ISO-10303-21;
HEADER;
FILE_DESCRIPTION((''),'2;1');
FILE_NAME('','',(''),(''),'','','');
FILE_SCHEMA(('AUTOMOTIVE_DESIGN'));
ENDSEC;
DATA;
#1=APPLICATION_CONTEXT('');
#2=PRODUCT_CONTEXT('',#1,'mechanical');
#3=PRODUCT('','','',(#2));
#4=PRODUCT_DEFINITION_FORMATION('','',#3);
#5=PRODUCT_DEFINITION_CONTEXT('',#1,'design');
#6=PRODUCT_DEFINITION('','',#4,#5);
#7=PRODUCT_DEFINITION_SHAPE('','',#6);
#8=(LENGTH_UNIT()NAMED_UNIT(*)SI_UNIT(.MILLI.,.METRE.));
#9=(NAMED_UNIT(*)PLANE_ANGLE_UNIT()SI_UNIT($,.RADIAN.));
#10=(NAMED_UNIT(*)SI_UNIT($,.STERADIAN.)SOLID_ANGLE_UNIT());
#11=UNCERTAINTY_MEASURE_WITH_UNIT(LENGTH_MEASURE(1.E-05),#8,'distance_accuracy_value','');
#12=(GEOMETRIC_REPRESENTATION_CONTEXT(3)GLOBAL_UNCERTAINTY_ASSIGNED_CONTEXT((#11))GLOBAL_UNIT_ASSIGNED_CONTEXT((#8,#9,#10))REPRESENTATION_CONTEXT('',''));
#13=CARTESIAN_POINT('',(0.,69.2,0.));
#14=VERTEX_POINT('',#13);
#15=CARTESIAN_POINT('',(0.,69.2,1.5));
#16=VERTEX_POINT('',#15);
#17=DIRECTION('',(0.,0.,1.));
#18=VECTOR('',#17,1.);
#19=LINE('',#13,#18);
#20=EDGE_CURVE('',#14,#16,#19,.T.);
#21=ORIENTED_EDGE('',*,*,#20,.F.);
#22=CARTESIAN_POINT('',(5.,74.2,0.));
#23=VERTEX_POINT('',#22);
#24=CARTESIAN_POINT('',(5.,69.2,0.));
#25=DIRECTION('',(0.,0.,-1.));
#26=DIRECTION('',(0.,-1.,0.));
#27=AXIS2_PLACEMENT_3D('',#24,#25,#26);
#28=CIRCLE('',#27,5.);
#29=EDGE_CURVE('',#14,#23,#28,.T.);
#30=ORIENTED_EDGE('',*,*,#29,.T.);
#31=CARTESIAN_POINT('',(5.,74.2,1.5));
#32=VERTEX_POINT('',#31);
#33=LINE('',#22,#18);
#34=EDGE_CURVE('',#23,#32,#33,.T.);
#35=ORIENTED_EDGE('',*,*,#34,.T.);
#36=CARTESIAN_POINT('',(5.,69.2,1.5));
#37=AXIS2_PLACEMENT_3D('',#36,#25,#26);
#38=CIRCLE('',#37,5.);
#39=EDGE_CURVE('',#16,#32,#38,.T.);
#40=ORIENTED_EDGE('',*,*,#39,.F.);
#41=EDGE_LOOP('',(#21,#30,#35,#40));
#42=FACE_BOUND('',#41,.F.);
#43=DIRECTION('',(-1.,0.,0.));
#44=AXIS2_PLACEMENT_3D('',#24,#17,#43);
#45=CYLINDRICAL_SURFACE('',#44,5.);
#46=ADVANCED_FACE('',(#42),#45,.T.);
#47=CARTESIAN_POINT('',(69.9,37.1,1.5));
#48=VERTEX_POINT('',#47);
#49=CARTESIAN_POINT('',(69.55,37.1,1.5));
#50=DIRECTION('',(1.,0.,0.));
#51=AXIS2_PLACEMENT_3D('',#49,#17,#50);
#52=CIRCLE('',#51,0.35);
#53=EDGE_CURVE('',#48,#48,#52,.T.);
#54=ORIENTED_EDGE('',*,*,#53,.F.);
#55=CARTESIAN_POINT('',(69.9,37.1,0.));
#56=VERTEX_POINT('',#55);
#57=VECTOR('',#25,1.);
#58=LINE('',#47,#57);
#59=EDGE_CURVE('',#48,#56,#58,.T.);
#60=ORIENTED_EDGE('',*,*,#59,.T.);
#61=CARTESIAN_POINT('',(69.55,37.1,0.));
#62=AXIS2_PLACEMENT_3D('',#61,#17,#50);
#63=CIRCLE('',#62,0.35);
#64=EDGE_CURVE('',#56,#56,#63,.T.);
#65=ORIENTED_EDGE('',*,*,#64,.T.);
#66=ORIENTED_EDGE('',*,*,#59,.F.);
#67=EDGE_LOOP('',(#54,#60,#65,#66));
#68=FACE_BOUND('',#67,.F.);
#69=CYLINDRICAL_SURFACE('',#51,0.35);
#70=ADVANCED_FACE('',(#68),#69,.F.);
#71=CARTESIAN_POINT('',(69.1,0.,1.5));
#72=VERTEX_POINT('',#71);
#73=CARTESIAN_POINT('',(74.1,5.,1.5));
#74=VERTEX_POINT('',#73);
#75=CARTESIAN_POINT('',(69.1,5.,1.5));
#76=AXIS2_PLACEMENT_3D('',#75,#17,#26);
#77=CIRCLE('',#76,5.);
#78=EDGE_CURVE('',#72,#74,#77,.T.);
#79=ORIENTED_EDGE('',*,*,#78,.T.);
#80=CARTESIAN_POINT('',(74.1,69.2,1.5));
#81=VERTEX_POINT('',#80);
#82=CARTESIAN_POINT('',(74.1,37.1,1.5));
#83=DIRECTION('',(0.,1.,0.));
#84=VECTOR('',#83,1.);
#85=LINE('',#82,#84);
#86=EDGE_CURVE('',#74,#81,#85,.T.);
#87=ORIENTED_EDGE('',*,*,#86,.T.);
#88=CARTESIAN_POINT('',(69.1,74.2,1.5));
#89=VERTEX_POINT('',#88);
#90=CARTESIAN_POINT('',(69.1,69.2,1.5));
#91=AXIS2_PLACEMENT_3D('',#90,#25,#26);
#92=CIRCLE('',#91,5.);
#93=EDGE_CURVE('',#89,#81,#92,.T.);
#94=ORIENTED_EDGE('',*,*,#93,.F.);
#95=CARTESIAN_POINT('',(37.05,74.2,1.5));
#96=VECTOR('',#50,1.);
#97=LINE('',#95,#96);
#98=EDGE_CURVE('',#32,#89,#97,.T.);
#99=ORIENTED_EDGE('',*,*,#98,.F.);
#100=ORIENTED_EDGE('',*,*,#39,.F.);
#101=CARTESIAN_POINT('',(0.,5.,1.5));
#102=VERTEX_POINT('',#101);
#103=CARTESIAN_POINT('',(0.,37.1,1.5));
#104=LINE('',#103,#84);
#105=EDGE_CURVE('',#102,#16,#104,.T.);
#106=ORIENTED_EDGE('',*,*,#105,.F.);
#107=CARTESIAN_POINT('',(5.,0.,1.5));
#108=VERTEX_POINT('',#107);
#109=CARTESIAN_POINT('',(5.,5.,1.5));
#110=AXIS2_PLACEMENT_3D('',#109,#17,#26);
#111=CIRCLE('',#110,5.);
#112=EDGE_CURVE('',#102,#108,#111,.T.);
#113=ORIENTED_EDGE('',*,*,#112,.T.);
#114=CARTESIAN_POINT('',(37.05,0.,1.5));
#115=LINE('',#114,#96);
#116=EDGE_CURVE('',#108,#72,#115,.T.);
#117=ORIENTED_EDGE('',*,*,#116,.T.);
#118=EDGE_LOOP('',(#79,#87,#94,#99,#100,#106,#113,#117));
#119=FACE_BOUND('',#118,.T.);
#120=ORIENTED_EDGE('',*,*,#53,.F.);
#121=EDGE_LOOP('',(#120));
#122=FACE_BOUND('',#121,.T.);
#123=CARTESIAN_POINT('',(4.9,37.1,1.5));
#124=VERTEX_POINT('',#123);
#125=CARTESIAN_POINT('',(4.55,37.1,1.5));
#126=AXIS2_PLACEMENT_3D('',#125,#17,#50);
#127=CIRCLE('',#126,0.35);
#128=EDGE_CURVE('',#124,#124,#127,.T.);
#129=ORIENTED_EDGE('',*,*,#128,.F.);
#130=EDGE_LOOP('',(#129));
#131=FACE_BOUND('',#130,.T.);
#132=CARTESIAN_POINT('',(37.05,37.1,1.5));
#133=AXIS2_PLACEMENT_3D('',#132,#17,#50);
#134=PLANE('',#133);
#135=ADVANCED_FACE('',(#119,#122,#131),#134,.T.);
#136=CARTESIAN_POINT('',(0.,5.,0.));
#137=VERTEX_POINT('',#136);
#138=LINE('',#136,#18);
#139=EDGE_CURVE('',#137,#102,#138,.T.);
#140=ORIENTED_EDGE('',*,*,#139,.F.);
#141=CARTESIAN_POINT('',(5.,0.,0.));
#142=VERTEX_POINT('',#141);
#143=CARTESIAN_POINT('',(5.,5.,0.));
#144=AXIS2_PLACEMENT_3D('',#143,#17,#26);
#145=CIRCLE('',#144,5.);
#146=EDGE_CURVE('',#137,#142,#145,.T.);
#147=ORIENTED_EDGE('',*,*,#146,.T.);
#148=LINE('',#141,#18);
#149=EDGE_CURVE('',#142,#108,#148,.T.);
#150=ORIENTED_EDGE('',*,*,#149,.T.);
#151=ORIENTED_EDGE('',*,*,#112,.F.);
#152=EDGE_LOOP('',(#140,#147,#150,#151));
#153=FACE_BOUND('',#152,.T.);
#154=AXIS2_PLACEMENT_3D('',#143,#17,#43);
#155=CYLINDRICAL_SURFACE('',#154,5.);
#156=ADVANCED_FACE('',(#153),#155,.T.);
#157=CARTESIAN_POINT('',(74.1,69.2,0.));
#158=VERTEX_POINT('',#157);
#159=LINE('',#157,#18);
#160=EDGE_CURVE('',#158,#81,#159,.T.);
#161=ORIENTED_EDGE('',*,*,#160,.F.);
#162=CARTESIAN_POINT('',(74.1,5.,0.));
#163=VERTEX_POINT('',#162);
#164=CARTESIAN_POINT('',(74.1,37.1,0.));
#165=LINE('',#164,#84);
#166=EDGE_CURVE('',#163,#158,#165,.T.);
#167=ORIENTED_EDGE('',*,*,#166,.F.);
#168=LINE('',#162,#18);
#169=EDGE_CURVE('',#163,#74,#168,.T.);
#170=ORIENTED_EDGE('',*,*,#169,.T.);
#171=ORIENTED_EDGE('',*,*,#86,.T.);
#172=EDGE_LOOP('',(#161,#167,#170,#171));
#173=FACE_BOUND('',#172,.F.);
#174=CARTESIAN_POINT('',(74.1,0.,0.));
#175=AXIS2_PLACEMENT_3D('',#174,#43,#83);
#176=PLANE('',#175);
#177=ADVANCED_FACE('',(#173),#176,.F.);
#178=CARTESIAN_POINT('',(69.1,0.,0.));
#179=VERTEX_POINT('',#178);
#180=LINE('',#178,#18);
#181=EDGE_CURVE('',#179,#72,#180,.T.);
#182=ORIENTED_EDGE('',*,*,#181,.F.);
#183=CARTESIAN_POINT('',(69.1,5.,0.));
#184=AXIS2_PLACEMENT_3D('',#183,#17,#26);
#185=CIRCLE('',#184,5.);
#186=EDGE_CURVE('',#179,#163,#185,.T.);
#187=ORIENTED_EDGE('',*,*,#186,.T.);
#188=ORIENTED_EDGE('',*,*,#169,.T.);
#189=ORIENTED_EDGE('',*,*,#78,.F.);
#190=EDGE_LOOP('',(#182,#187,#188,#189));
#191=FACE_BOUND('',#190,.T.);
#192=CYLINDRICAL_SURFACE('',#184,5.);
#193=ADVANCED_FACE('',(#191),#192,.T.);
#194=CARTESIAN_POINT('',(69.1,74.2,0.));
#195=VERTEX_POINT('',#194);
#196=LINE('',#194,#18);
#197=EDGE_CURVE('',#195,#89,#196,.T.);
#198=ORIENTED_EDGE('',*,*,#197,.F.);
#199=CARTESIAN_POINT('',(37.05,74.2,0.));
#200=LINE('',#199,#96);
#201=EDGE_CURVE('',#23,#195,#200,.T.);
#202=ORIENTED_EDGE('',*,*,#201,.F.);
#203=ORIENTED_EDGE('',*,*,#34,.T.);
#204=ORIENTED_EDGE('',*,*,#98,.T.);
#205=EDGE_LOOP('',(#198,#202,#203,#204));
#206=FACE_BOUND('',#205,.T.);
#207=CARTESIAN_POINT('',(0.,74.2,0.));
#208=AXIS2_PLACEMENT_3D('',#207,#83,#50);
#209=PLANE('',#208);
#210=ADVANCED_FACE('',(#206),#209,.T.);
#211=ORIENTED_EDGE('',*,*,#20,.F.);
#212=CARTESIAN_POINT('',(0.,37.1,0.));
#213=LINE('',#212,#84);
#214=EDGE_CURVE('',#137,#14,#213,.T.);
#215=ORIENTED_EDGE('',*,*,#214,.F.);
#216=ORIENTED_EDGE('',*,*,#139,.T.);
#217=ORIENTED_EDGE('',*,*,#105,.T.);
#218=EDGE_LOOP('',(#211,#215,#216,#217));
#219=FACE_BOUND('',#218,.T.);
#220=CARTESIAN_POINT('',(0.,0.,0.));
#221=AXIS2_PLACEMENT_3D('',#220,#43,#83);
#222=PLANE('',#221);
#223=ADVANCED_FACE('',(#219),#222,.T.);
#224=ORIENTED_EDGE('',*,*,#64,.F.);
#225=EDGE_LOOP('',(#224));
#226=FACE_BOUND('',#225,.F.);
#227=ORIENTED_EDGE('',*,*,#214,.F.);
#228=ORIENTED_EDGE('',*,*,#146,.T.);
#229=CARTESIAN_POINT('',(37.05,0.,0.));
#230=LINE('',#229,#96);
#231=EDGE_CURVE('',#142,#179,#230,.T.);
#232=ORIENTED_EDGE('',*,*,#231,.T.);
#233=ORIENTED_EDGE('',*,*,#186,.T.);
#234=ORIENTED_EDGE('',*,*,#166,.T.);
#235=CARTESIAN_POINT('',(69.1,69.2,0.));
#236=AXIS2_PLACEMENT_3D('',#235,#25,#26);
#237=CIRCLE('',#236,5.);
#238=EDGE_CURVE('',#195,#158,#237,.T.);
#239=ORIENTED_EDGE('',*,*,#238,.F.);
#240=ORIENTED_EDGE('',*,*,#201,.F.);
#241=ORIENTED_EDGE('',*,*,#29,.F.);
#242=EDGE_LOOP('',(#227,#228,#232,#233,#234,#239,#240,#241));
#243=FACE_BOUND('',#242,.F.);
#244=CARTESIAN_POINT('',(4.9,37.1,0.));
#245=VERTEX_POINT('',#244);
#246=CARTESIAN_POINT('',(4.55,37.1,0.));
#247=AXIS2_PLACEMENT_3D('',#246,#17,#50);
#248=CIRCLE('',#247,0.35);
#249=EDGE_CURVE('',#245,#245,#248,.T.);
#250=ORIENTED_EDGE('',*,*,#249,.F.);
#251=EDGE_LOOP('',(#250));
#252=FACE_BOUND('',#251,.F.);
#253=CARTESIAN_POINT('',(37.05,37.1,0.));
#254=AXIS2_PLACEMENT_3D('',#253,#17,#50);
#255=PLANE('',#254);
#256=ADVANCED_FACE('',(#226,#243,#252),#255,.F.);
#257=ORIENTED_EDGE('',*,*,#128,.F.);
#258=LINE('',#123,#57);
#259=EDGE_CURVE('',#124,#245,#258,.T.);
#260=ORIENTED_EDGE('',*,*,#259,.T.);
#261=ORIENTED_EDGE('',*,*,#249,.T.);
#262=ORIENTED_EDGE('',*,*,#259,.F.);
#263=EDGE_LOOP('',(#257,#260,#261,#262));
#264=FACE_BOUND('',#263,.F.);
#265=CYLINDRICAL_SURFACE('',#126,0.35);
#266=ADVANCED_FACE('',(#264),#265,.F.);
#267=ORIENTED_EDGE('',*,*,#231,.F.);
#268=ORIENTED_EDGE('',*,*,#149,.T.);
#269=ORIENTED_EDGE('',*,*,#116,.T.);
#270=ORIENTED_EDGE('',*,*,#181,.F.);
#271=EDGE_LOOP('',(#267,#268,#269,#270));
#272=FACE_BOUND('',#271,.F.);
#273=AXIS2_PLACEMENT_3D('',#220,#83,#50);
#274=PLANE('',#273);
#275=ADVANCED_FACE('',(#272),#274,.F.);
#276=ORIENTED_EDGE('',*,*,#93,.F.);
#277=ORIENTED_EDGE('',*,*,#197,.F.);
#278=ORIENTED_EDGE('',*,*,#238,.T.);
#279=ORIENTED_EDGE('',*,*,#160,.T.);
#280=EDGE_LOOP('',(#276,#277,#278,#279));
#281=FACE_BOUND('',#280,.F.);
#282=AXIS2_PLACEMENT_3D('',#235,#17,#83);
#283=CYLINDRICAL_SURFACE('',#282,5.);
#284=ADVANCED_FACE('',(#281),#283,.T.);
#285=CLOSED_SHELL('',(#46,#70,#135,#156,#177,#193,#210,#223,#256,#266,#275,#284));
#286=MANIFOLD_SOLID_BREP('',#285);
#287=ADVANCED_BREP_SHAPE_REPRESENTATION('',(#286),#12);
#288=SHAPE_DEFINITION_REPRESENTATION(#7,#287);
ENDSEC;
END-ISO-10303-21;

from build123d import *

# Parameters (mm, degrees)
F0_W     = 74.1
F0_H     = 74.2
F0_R     = 2.625
F1_DEPTH = 1.5
F2_R     = 0.35
F3_DEPTH = 1.501
F4_R     = 5


with BuildPart() as f1:
    # F0 (on Top) → F1 (new body)
    with BuildSketch(Plane.XY):
        with Locations((37.05, 37.1)):
            Rectangle(F0_W, F0_H)
        with Locations((4.55, 37.1)):
            Circle(F0_R, mode=Mode.SUBTRACT)
        with Locations((69.55, 37.1)):
            Circle(F0_R, mode=Mode.SUBTRACT)
        with Locations((4.55, 37.1)):
            Circle(F0_R)
        with Locations((69.55, 37.1)):
            Circle(F0_R)
    extrude(amount=F1_DEPTH)

    # F2 (on face) → F3 (cut, through all)
    with BuildSketch(Plane.XY.offset(1.5)):
        with Locations((4.55, 37.1)):
            Circle(F2_R)
        with Locations((69.55, 37.1)):
            Circle(F2_R)
    extrude(amount=-F3_DEPTH, mode=Mode.SUBTRACT)

    # F4
    f4_edges = [f1.edges().sort_by_distance(p)[0] for p in [
        (74.1, 74.2, 0.75),
        (0, 74.2, 0.75),
        (0, 0, 0.75),
        (74.1, 0, 0.75),
    ]]
    fillet(f4_edges, radius=F4_R)


solid = f1.part
